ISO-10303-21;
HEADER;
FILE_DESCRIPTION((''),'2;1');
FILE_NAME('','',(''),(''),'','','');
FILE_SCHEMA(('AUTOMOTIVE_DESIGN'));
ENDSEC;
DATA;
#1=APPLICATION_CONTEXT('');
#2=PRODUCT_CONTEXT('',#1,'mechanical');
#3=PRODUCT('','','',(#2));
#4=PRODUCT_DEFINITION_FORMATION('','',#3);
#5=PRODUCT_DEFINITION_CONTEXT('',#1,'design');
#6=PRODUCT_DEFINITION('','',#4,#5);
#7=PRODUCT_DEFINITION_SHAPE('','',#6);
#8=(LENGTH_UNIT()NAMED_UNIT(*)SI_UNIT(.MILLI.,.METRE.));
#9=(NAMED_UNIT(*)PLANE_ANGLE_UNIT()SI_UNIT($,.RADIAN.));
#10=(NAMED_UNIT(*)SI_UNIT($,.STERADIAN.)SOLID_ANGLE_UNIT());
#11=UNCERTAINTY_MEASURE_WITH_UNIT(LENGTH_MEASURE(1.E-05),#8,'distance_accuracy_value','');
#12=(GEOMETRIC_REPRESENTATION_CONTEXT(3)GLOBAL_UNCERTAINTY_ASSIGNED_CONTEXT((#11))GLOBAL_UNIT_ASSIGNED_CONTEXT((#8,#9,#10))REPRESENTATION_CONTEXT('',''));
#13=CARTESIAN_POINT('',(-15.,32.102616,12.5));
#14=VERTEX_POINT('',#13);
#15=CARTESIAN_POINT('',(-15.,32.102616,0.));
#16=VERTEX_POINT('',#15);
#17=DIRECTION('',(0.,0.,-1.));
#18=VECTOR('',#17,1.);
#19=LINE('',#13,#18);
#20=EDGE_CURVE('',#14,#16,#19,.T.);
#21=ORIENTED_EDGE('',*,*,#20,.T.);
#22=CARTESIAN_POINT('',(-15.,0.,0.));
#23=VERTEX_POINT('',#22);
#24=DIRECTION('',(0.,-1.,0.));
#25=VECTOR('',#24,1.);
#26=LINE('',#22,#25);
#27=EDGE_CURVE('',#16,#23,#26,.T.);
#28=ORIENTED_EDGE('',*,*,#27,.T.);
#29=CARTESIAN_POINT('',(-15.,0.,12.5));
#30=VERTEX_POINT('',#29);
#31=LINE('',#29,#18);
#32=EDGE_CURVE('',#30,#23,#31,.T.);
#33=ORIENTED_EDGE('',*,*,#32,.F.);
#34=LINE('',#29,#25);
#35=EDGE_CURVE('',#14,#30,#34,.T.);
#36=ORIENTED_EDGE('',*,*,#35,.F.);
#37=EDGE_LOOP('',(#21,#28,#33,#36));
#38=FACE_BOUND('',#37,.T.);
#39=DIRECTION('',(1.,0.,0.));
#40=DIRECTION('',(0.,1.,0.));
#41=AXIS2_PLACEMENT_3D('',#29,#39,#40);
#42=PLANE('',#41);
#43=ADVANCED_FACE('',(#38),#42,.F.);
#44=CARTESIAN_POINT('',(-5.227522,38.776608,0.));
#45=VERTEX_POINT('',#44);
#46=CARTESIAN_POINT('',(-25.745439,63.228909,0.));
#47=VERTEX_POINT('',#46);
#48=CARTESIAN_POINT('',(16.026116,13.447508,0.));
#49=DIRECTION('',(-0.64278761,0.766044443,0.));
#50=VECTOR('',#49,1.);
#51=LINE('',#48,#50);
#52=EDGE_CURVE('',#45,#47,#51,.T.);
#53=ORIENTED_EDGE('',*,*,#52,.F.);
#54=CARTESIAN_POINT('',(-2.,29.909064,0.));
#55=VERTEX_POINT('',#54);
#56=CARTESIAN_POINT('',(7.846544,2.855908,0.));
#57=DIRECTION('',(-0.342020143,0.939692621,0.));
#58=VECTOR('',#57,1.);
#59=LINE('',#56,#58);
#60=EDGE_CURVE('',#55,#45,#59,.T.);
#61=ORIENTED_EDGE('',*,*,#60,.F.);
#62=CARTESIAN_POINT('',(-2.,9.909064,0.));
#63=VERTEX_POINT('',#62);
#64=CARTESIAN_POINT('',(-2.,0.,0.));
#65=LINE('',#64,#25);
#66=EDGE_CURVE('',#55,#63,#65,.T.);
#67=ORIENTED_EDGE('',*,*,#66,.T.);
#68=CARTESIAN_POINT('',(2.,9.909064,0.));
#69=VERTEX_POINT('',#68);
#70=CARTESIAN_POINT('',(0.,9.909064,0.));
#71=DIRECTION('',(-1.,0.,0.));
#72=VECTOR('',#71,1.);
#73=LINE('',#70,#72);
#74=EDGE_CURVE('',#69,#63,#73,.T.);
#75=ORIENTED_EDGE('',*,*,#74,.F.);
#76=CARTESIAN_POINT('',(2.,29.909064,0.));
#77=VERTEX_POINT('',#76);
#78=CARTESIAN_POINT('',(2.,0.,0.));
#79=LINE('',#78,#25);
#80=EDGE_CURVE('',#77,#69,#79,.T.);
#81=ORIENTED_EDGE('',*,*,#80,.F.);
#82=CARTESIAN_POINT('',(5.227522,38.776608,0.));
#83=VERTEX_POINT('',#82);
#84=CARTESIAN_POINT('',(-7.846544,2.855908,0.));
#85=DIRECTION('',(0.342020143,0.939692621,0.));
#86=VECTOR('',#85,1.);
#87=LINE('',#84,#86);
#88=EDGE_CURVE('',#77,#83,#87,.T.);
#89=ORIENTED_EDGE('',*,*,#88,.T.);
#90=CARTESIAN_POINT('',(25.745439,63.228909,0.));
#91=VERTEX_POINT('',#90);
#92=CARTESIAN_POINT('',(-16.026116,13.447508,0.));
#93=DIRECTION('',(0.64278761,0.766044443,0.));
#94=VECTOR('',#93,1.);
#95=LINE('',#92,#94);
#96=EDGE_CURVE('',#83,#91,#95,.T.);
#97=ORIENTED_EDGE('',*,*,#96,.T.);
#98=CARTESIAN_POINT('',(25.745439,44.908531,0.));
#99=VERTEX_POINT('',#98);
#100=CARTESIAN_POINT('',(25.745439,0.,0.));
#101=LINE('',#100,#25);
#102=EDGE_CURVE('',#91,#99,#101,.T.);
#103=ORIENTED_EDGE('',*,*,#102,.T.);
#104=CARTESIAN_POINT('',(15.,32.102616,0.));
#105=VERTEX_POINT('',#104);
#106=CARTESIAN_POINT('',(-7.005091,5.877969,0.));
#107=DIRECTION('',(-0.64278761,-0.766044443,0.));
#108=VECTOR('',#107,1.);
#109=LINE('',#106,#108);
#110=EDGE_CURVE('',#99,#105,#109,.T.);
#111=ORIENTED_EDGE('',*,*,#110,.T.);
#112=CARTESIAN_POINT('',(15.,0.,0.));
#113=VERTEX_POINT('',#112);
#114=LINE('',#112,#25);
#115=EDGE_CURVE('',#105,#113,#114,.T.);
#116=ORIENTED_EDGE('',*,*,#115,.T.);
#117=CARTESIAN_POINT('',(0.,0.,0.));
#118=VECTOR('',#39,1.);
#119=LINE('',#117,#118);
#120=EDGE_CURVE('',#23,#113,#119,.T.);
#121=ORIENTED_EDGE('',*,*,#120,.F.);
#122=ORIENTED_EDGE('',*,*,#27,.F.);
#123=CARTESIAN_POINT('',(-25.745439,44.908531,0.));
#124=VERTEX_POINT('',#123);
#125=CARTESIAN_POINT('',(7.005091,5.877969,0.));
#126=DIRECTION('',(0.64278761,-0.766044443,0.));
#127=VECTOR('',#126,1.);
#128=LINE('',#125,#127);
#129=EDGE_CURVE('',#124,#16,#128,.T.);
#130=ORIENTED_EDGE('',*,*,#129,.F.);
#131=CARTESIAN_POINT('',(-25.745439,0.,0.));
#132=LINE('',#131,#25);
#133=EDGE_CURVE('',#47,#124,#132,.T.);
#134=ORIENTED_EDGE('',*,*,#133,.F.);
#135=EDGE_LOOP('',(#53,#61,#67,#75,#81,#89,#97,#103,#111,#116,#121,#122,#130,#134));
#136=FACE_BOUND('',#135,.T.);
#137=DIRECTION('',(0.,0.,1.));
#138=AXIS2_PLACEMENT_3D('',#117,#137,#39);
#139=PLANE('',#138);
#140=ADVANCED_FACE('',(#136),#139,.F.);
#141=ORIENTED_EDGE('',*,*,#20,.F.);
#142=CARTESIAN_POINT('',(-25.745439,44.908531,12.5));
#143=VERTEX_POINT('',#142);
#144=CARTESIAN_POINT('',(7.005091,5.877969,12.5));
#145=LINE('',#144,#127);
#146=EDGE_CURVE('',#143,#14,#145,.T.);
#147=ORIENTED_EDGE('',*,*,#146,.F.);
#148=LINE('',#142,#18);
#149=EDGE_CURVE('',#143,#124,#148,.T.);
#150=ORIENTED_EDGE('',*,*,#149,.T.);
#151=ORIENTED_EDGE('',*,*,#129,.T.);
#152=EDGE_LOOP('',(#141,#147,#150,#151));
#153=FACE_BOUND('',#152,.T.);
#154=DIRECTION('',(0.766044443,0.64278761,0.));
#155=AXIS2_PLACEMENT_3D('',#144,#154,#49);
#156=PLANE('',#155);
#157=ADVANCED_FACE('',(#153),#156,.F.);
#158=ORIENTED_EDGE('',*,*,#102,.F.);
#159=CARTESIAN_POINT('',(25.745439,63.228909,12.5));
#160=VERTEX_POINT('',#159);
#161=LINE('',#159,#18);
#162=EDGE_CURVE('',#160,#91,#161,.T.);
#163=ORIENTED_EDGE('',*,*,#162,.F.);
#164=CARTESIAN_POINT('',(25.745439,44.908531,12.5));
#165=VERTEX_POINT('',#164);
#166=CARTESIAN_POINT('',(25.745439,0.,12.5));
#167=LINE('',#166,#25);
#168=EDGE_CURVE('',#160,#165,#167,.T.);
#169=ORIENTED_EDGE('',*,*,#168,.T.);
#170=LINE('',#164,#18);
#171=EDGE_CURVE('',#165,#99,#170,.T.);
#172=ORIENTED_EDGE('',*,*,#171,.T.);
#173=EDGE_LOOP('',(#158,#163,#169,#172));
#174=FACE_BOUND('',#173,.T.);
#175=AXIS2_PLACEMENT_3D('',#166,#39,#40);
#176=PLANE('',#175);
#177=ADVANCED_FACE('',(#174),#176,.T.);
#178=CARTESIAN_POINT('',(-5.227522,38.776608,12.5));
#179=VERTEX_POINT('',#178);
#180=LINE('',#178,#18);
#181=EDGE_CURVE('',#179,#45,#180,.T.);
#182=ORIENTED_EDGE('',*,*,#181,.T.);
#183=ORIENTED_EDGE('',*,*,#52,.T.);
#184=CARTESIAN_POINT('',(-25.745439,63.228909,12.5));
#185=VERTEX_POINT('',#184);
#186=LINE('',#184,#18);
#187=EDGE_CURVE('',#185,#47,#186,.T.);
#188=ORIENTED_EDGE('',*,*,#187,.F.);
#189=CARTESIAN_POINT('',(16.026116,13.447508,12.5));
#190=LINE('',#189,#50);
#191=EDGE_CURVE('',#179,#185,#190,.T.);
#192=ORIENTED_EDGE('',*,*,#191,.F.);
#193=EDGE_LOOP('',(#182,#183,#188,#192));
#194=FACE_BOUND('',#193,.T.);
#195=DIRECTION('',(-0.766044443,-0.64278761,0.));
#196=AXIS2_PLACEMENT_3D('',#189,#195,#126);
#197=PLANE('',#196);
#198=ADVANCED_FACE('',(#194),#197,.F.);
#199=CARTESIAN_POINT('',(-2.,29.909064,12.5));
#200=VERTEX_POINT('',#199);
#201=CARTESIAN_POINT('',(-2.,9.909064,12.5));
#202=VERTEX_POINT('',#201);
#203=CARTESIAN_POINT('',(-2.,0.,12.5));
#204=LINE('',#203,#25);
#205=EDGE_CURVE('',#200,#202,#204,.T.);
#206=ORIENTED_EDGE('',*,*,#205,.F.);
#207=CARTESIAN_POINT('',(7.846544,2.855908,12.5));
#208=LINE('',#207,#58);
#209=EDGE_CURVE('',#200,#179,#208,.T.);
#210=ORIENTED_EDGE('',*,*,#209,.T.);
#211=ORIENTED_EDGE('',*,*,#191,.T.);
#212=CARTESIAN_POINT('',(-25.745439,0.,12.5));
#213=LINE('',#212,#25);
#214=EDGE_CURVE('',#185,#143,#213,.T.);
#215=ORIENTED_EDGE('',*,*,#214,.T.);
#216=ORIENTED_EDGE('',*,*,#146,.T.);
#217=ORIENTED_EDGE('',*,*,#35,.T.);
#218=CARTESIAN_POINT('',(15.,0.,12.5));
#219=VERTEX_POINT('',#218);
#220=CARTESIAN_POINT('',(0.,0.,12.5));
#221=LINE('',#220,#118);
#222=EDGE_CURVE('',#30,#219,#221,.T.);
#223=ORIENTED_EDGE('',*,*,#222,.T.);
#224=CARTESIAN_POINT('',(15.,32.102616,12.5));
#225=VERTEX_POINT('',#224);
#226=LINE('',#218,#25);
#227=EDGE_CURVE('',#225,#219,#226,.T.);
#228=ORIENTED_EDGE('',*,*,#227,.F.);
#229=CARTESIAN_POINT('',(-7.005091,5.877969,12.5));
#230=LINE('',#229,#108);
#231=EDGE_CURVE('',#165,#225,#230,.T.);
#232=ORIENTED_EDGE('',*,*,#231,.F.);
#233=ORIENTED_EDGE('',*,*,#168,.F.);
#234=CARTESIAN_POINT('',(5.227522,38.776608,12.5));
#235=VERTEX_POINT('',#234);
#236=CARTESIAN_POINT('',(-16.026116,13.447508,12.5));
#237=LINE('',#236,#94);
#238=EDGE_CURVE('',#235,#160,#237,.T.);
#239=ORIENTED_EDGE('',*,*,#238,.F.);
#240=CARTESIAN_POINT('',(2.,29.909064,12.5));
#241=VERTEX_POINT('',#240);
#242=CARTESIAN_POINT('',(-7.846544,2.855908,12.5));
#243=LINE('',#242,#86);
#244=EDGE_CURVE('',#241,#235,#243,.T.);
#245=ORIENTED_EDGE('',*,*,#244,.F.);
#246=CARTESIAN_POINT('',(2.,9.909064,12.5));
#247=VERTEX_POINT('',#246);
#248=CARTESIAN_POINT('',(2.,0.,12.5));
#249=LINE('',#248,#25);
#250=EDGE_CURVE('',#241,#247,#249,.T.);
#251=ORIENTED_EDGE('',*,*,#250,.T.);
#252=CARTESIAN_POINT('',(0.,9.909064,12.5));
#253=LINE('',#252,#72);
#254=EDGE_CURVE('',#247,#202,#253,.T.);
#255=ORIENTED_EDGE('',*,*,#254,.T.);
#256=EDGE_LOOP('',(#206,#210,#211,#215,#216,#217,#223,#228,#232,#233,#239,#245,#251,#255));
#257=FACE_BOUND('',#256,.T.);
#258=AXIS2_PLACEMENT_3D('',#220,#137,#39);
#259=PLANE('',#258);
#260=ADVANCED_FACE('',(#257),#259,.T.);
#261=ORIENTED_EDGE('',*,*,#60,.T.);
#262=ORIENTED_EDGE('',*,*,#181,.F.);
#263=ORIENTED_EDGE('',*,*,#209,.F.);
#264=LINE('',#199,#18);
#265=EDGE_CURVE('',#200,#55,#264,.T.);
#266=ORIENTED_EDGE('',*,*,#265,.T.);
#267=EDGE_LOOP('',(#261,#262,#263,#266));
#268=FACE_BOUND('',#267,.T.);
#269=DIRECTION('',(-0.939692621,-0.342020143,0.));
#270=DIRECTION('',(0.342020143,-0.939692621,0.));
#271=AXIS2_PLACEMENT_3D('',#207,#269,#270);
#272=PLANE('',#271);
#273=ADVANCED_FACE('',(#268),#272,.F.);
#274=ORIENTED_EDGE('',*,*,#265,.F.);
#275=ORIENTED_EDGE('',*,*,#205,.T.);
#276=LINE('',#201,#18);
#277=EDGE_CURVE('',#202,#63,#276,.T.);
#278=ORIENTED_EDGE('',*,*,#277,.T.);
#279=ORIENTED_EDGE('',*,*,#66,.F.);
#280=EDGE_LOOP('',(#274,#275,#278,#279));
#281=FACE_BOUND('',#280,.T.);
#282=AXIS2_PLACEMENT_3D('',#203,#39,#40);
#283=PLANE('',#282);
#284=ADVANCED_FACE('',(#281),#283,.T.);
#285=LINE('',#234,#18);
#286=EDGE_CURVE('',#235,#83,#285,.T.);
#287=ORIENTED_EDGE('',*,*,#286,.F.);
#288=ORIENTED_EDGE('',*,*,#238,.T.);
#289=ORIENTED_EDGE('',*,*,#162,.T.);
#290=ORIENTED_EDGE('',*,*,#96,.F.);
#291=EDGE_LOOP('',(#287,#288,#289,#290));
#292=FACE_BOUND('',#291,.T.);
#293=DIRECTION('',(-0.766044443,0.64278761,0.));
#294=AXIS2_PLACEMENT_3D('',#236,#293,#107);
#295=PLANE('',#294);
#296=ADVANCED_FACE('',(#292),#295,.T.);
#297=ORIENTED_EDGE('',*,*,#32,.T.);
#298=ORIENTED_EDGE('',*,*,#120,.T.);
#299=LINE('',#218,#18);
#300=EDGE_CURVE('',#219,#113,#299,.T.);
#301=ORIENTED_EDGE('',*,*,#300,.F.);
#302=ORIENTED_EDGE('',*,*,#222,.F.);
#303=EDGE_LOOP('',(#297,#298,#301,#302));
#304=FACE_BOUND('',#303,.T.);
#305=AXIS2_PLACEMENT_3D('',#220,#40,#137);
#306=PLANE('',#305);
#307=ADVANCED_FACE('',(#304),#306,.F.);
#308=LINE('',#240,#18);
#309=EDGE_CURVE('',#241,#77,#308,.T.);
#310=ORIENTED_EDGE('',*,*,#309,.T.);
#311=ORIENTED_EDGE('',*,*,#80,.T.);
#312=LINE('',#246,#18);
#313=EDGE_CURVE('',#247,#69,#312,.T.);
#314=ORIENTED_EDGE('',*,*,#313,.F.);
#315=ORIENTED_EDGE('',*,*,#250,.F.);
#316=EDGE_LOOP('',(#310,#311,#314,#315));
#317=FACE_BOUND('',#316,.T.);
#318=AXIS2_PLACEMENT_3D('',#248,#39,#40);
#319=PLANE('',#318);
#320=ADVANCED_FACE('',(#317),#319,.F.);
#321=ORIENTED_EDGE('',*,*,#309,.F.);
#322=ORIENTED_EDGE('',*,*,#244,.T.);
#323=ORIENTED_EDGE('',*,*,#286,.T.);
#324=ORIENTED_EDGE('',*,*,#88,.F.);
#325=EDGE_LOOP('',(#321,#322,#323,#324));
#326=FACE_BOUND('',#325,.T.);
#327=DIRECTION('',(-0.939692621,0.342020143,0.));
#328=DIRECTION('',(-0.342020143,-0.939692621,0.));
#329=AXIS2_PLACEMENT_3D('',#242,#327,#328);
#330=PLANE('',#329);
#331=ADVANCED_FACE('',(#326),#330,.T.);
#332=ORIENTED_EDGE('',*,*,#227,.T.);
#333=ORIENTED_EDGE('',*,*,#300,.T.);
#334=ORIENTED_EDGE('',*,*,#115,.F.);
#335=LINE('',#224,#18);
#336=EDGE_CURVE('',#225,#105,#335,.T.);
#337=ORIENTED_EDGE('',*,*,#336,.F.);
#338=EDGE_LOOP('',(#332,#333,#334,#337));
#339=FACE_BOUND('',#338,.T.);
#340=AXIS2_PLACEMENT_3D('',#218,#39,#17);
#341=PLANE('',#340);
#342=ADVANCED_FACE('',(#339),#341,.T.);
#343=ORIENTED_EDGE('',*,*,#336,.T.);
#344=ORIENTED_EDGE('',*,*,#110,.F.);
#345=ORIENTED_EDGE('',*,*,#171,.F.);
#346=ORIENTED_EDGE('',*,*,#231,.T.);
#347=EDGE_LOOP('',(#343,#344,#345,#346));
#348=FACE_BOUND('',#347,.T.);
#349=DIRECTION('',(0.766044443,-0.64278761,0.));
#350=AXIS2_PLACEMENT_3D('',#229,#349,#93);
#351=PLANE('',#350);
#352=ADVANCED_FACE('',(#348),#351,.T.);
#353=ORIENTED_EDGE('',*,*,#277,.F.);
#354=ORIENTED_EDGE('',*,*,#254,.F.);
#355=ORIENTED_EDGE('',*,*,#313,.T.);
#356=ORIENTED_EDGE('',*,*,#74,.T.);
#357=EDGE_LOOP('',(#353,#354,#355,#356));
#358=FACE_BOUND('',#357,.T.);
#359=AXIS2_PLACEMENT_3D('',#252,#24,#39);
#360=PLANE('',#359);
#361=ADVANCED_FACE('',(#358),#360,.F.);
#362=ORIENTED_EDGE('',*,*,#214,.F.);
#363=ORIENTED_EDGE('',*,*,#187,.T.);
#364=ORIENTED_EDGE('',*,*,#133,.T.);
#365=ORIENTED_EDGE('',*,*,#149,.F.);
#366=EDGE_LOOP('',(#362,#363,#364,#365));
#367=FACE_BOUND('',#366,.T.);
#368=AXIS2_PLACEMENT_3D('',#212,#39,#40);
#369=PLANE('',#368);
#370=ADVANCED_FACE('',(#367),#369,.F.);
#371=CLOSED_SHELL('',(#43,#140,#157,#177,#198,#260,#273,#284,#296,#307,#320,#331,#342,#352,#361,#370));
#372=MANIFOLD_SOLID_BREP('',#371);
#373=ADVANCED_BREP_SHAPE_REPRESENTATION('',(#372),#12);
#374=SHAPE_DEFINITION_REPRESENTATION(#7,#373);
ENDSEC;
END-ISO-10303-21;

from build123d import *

# Parameters (mm, degrees)
BOSS_EXTRUDE1_DEPTH = 12.5


with BuildPart() as part:
    # Sketch4 → Boss-Extrude1 (new body)
    with BuildSketch(Plane.XY):
        Polygon((15, 32.102616066), (15, 29.909064249), (2, 29.909064249), (5.227521969, 38.776607979), (15.250051757, 50.72099386), (25.745438879, 63.228909169), (25.745438879, 44.908531455), align=None)
        Polygon((-2, 29.909064249), (-15, 29.909064249), (-15, 32.102616066), (-25.745438879, 44.908531455), (-25.745438879, 63.228909169), (-15.250051757, 50.72099386), (-5.227521969, 38.776607979), align=None)
        Polygon((-2, 29.909064249), (-2, 9.909064249), (2, 9.909064249), (2, 29.909064249), (15, 29.909064249), (15, 0), (-15, 0), (-15, 29.909064249), align=None)
    extrude(amount=BOSS_EXTRUDE1_DEPTH)


solid = part.part
